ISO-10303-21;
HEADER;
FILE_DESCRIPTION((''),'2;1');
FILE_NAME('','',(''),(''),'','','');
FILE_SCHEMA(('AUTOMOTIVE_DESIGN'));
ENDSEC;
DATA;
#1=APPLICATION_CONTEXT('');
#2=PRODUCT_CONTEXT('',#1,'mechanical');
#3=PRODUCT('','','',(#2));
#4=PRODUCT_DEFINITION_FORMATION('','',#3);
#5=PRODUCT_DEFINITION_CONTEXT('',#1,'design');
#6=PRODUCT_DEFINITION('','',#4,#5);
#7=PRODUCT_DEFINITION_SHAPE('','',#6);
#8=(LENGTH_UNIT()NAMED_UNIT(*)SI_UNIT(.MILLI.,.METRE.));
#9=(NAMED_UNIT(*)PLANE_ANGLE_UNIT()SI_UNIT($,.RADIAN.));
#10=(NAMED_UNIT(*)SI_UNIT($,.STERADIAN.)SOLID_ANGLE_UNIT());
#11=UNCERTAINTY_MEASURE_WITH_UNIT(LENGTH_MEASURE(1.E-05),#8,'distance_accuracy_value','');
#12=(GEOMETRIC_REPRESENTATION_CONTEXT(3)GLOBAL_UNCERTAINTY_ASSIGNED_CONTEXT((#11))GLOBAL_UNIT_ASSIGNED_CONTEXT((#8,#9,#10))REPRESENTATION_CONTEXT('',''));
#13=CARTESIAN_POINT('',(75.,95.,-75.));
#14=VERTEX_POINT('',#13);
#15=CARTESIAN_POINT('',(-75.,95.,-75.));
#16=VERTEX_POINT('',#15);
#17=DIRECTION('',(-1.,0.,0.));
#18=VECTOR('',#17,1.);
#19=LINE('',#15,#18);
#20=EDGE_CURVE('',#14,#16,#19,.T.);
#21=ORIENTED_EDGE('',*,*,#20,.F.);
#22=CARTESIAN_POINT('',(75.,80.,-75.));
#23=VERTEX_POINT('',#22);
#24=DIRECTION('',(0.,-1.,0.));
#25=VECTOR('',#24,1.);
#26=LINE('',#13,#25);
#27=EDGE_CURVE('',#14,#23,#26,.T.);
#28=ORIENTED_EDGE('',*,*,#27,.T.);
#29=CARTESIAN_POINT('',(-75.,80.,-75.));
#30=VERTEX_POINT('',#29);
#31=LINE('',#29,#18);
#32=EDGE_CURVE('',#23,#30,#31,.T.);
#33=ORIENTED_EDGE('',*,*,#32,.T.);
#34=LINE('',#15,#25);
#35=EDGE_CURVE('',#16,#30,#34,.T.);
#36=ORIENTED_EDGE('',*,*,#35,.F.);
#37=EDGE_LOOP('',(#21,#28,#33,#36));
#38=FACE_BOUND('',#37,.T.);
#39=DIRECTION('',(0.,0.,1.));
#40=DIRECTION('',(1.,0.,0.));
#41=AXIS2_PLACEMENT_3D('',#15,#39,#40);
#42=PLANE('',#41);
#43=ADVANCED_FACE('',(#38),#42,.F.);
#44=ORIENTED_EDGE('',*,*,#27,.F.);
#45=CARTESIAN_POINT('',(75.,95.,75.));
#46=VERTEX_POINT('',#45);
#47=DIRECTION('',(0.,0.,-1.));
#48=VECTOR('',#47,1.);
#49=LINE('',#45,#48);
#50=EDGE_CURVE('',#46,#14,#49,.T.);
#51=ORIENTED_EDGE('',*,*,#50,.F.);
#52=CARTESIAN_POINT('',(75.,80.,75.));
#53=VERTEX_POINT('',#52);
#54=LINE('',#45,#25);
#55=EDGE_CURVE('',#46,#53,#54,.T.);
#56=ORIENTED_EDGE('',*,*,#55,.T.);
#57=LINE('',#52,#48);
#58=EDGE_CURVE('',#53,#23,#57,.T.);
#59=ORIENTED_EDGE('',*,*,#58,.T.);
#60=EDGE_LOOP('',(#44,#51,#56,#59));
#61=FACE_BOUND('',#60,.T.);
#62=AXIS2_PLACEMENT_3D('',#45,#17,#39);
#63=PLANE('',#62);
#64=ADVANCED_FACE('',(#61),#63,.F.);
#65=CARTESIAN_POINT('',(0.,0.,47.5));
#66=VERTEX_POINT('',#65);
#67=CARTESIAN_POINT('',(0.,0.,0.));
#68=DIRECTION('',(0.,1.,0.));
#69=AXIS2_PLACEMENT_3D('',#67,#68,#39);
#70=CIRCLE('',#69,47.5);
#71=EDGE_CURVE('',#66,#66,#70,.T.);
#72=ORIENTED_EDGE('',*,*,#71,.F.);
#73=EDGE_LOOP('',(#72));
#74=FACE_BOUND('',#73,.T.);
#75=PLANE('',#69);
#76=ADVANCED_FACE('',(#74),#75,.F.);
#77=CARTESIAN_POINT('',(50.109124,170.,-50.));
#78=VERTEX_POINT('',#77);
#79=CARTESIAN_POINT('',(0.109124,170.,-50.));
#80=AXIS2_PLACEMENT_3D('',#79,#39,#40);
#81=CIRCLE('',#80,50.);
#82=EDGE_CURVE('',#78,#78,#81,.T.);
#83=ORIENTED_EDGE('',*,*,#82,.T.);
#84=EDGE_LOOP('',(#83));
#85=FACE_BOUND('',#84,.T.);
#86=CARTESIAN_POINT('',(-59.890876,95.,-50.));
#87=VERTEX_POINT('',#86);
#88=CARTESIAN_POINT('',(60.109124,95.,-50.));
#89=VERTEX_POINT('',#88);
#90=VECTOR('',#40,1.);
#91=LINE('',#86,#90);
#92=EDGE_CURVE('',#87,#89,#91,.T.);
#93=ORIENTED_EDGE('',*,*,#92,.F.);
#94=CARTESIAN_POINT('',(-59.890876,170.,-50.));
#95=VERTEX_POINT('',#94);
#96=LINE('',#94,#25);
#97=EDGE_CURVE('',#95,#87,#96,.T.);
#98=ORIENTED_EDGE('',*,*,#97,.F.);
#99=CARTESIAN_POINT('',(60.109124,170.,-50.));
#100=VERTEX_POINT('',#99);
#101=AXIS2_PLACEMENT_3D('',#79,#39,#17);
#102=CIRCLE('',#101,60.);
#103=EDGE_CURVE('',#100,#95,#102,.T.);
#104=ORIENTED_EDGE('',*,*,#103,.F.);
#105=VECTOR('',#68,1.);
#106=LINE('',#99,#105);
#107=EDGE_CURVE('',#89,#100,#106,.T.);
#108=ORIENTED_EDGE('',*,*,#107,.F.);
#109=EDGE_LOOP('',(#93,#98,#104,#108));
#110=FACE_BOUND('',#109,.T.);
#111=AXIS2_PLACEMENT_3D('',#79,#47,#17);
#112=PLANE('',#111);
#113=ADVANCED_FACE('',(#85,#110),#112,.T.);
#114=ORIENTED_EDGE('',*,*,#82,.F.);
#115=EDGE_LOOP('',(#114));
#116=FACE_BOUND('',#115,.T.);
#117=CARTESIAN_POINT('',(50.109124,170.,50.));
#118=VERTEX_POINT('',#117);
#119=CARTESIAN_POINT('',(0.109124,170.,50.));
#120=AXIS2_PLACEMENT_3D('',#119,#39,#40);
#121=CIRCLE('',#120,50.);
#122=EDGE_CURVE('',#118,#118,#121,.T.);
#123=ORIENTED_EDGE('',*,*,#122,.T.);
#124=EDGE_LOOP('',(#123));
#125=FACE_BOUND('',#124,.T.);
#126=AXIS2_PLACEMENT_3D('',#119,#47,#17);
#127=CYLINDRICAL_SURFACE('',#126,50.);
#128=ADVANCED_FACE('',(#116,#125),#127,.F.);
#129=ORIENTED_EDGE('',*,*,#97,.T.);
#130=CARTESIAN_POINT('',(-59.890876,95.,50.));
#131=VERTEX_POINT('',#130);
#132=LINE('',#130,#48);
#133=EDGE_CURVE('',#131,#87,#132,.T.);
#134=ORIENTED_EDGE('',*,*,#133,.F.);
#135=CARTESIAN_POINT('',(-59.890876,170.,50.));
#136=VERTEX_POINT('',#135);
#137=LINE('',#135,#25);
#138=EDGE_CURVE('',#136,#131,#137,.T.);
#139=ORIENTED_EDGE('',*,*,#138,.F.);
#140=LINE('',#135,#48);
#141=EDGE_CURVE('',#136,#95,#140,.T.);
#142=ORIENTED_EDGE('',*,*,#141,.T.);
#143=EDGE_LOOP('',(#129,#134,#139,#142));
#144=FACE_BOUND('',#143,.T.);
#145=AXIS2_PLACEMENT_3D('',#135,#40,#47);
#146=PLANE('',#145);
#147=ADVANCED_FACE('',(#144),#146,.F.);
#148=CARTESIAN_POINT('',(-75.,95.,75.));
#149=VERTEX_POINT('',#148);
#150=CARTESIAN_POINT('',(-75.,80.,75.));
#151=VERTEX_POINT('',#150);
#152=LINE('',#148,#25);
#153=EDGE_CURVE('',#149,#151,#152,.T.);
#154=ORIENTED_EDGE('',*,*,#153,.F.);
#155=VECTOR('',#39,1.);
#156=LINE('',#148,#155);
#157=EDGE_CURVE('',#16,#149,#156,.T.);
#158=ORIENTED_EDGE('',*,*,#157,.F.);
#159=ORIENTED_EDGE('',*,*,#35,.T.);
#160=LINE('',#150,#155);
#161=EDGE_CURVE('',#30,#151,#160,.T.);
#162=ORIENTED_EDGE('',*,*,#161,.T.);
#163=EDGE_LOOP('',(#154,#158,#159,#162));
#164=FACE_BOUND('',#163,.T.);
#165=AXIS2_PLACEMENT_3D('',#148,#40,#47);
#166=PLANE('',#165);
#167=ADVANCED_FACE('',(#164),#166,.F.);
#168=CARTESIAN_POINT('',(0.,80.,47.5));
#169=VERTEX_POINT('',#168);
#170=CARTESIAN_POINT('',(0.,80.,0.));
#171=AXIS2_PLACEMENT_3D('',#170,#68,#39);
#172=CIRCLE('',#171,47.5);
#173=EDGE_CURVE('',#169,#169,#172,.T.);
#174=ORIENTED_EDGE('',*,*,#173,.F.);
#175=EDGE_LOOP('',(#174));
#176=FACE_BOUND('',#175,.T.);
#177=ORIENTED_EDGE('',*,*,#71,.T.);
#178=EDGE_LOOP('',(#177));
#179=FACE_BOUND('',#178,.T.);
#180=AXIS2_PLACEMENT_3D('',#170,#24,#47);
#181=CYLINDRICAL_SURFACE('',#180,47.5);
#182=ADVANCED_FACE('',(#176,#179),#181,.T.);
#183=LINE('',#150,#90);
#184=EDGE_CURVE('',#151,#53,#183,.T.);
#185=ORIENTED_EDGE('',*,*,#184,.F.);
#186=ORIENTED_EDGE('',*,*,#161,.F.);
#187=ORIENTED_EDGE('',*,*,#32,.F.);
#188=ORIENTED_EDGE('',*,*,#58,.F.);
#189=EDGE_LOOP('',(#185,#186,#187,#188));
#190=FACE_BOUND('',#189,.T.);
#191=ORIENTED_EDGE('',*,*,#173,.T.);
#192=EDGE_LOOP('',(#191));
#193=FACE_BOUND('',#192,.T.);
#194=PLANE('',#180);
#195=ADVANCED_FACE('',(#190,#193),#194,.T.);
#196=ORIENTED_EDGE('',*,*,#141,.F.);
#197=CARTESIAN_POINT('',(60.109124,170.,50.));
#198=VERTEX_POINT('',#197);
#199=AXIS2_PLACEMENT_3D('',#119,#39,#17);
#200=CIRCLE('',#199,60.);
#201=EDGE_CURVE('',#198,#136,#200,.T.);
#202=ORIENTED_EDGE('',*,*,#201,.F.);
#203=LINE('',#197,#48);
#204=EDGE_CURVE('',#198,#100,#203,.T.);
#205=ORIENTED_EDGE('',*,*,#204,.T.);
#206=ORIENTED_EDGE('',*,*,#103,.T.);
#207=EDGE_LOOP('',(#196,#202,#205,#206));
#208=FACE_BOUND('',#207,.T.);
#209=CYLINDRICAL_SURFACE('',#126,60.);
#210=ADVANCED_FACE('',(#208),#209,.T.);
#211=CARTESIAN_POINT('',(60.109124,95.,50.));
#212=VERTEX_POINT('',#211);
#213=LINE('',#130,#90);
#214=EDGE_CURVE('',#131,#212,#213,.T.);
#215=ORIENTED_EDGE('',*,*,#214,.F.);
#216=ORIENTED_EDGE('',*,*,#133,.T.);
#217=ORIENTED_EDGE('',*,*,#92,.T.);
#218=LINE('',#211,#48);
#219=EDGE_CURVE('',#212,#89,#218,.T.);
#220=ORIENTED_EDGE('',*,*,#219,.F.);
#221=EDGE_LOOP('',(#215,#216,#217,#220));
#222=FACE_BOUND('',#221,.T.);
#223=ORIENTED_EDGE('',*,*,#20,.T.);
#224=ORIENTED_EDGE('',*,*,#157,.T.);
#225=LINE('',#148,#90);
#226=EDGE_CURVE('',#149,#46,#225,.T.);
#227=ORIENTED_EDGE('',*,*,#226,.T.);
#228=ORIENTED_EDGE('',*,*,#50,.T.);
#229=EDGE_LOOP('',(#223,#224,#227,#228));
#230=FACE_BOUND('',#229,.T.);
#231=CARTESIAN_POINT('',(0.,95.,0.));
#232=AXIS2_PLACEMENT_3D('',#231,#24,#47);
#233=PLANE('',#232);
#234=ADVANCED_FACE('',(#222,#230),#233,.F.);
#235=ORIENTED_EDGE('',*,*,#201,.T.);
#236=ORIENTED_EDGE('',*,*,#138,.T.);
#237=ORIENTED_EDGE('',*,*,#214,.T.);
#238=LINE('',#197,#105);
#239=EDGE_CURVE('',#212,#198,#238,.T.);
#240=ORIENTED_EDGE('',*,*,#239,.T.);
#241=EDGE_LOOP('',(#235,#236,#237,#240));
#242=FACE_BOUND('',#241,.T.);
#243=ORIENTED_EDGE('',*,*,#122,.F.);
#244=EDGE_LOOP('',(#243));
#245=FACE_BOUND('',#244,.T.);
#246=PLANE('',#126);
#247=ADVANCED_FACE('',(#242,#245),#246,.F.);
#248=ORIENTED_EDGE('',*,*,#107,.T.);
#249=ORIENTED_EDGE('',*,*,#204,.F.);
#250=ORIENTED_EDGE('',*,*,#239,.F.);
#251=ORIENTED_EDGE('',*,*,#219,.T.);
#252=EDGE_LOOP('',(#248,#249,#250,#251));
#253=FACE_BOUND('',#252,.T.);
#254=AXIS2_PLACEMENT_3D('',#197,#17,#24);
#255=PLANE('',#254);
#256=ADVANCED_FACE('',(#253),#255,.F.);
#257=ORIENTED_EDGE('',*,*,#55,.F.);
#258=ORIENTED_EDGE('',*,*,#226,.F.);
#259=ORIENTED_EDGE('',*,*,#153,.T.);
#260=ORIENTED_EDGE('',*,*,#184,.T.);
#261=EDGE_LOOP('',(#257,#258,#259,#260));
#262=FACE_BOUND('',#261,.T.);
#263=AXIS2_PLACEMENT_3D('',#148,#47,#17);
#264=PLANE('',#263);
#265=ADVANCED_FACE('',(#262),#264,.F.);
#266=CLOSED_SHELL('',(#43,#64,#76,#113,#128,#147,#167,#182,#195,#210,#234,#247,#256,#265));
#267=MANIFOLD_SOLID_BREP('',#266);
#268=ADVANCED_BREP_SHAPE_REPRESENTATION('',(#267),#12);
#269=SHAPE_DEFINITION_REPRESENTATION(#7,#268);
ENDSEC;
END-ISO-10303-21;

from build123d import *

# Parameters (mm, degrees)
SKETCH1_R           = 47.5
BOSS_EXTRUDE1_DEPTH = 80
SKETCH6_W           = 150
SKETCH6_H           = 150
BOSS_EXTRUDE3_DEPTH = 15
SKETCH7_R           = 50
BOSS_EXTRUDE4_DEPTH = 50


with BuildPart() as part:
    # Sketch1 → Boss-Extrude1 (new body)
    with BuildSketch(Plane(origin=(0, 0, 0), x_dir=(1, 0, 0), z_dir=(0, 1, 0))):
        Circle(SKETCH1_R)
    extrude(amount=BOSS_EXTRUDE1_DEPTH)

    # Sketch6 → Boss-Extrude3 (add)
    with BuildSketch(Plane(origin=(0, 80, 0), x_dir=(1, 0, 0), z_dir=(0, 1, 0))):
        Rectangle(SKETCH6_W, SKETCH6_H)
    extrude(amount=BOSS_EXTRUDE3_DEPTH)

    # Sketch7 → Boss-Extrude4 (add, symmetric)
    with BuildSketch(Plane.XY):
        with BuildLine():
            Line((-59.89087621, 95), (60.10912379, 95))
            Line((60.10912379, 95), (60.10912379, 170))
            ThreePointArc((60.10912379, 170), (0.10912379, 230), (-59.89087621, 170))
            Line((-59.89087621, 170), (-59.89087621, 95))
        make_face()
        with Locations((0.10912379, 170)):
            Circle(SKETCH7_R, mode=Mode.SUBTRACT)
    extrude(amount=BOSS_EXTRUDE4_DEPTH, both=True)


solid = part.part
